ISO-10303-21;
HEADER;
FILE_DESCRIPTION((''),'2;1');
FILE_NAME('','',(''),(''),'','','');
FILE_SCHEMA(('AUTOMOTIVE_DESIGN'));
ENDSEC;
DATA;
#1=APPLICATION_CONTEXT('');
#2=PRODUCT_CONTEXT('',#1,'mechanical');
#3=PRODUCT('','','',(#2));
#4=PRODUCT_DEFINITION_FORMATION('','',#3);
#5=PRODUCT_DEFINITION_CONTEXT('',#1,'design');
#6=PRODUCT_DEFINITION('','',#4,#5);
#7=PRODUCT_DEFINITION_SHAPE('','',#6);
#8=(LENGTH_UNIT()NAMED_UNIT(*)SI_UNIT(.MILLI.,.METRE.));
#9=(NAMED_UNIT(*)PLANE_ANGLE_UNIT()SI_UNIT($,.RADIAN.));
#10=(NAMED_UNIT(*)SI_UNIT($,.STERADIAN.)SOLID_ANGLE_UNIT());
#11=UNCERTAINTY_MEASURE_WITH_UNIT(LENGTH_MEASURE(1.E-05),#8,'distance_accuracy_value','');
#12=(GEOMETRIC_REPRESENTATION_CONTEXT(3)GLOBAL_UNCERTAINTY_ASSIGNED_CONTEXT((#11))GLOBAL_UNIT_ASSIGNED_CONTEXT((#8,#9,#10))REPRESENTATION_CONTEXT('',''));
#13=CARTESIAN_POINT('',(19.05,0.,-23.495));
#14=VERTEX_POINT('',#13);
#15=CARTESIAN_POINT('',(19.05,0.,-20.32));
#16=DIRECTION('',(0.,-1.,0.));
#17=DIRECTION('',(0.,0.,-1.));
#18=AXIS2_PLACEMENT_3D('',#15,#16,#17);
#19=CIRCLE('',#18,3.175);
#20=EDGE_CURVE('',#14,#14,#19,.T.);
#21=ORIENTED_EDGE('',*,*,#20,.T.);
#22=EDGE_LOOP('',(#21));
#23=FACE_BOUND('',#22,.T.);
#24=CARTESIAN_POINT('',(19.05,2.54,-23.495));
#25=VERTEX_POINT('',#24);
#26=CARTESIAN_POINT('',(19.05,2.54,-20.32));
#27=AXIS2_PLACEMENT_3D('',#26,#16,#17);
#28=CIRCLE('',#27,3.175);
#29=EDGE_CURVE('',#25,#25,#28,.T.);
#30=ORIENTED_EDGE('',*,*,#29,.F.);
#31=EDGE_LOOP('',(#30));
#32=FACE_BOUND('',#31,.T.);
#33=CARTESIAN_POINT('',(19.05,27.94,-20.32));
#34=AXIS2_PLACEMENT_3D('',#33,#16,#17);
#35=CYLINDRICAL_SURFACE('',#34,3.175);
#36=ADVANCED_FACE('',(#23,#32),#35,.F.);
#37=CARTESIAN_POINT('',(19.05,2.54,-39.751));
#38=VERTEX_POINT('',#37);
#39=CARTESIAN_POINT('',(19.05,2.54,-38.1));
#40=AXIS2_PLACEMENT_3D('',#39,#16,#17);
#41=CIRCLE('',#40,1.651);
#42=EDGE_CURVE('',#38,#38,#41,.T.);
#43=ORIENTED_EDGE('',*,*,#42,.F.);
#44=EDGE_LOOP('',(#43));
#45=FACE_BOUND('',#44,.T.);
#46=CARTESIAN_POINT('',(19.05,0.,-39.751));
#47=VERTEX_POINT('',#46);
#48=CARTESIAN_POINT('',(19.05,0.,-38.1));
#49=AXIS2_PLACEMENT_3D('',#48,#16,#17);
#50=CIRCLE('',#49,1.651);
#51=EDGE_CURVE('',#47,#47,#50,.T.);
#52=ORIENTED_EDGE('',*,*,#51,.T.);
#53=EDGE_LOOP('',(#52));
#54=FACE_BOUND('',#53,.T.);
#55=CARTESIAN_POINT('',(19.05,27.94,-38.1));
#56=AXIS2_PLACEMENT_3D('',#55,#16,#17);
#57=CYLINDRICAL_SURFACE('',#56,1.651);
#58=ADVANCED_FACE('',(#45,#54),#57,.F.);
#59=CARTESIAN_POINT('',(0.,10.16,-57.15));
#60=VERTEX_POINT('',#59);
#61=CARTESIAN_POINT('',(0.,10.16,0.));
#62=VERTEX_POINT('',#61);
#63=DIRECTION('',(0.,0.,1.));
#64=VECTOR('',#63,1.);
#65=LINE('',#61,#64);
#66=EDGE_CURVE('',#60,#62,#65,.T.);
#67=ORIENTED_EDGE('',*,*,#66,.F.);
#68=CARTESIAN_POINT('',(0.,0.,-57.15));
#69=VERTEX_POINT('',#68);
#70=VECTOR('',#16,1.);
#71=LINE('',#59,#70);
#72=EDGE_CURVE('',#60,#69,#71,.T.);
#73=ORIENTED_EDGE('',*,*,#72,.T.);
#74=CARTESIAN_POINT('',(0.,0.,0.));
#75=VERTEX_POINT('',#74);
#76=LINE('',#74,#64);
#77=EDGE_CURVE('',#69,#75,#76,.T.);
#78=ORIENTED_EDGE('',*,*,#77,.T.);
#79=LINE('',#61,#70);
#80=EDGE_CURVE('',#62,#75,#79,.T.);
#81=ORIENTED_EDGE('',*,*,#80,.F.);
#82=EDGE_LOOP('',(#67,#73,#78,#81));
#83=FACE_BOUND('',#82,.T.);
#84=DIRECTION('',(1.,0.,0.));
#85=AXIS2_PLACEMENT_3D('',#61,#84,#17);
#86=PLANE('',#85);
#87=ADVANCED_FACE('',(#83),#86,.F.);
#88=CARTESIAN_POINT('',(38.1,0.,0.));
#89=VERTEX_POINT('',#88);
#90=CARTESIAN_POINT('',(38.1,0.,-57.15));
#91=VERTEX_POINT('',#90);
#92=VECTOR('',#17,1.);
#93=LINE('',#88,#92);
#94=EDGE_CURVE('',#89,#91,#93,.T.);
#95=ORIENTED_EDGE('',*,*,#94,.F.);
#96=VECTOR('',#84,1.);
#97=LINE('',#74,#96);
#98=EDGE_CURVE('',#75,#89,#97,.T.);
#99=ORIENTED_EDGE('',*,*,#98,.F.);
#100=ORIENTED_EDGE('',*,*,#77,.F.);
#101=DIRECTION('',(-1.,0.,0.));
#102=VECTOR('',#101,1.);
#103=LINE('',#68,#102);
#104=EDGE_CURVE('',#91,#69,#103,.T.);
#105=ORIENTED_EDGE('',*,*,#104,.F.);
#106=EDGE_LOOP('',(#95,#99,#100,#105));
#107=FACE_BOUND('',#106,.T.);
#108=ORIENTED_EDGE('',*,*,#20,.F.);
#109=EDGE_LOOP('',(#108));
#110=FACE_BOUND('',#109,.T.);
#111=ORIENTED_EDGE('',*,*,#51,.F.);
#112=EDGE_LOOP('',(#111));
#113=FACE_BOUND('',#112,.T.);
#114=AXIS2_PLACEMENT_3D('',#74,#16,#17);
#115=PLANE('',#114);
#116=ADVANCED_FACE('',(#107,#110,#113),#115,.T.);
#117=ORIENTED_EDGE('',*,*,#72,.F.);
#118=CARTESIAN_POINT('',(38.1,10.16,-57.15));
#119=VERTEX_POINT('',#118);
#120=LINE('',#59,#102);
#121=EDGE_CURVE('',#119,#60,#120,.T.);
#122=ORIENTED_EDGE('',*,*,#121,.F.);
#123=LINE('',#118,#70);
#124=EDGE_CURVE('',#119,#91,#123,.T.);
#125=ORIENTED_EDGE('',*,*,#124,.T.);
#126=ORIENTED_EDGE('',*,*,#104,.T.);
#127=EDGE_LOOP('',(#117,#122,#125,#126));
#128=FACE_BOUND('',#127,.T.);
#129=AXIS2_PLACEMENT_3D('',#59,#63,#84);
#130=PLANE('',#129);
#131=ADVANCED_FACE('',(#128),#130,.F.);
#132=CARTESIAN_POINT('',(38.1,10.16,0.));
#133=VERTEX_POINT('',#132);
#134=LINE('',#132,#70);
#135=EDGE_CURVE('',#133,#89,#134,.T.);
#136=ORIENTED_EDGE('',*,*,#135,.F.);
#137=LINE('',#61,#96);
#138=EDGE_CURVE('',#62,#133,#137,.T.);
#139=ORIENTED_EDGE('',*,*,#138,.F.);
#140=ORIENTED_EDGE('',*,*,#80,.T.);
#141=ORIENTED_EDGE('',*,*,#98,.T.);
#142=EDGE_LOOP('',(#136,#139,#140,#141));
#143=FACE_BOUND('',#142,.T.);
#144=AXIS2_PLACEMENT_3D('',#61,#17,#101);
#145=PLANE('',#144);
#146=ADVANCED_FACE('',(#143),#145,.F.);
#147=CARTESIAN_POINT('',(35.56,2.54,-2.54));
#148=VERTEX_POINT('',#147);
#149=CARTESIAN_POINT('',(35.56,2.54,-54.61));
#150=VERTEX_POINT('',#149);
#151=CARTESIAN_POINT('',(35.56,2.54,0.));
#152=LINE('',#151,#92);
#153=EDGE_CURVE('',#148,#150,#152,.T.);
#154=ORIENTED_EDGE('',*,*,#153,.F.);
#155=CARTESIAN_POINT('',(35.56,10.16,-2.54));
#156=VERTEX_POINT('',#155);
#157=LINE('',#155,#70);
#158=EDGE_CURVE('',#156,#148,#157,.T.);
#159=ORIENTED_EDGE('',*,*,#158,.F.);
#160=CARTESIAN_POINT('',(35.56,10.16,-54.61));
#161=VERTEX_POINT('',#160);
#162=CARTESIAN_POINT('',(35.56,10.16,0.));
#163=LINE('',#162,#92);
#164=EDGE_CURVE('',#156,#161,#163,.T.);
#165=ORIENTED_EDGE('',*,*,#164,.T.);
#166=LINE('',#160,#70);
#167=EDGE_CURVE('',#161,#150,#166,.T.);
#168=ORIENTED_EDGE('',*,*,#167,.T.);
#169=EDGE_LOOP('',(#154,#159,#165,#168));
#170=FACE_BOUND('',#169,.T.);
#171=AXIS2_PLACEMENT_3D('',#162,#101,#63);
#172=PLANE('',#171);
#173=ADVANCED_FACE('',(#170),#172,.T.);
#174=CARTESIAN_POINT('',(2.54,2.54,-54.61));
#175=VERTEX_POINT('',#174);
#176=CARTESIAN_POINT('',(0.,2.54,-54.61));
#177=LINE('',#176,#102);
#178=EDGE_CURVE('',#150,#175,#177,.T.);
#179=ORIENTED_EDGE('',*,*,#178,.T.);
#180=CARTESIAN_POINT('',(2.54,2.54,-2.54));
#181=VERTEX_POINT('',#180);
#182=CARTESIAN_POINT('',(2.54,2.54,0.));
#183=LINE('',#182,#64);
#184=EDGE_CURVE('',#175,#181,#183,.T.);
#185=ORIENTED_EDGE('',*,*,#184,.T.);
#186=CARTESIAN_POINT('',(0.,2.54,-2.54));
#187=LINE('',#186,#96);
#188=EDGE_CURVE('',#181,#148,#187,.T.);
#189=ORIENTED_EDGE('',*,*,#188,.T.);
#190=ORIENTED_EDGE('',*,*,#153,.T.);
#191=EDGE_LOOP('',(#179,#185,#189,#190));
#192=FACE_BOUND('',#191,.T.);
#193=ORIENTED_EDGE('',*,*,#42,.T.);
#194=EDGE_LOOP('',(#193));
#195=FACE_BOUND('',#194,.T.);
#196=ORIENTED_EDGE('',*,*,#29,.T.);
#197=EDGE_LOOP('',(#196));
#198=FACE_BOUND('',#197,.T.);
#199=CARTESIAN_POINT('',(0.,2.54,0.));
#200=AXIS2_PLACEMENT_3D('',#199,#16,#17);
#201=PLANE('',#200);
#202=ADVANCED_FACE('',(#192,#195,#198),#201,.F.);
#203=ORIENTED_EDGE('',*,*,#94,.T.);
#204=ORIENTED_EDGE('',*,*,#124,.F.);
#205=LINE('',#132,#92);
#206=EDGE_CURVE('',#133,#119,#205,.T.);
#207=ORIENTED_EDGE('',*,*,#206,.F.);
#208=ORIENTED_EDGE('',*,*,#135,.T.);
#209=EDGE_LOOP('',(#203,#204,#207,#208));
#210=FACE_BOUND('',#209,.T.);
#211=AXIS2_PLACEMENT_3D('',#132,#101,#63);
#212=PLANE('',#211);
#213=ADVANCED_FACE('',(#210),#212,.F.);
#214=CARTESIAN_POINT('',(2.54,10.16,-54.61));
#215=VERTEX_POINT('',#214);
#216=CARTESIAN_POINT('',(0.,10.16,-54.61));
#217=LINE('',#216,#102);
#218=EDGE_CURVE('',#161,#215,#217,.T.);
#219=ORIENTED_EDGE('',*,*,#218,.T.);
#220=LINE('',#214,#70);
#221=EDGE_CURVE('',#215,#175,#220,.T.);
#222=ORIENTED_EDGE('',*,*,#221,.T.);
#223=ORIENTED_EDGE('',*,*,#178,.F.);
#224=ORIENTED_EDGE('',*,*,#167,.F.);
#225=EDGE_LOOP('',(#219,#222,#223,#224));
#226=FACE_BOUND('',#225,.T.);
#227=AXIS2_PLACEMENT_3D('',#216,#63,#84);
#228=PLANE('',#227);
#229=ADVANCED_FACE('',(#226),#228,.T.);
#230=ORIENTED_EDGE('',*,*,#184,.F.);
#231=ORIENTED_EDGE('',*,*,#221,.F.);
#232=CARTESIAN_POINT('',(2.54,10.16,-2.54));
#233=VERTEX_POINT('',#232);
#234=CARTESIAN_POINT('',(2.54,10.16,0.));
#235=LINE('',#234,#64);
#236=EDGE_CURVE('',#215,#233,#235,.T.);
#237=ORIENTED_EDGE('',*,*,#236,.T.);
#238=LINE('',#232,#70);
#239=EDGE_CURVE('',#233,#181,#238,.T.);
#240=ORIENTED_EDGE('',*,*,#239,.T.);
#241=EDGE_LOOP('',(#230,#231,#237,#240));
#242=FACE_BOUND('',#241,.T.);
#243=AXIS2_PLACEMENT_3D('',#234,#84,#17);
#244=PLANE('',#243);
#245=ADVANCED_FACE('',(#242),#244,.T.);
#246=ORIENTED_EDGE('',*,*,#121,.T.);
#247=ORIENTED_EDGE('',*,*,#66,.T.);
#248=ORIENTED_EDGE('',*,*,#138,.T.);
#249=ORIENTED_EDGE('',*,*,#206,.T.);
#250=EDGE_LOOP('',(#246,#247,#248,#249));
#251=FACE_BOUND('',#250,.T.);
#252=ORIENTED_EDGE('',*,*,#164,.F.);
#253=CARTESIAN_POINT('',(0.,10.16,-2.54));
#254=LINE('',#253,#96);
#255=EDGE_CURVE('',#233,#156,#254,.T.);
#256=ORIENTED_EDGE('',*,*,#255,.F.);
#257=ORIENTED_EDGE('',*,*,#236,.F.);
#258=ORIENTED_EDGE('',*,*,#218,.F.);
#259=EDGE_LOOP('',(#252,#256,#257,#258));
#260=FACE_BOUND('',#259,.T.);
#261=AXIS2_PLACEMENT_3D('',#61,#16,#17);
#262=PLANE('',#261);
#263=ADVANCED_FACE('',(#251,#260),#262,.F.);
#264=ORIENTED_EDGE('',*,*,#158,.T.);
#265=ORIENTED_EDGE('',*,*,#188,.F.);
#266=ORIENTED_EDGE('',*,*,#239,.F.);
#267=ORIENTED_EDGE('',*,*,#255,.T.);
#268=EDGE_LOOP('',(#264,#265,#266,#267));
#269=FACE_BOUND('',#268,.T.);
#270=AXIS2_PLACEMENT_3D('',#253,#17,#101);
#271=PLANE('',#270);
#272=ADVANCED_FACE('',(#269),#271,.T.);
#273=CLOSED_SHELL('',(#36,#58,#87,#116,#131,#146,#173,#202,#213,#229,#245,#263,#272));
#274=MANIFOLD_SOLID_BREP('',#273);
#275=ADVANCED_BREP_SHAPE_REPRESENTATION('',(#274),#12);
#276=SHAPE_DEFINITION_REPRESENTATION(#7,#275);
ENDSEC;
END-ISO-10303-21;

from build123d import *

# Parameters (mm, degrees)
SKETCH1_W           = 38.1
SKETCH1_H           = 57.15
BOSS_EXTRUDE1_DEPTH = 10.16
SHELL1_T            = -2.54
SKETCH3_R           = 1.651
SKETCH3_R_2         = 3.175
CUT_EXTRUDE1_DEPTH  = 27.94


with BuildPart() as part:
    # Sketch1 → Boss-Extrude1 (new body)
    with BuildSketch(Plane(origin=(0, 0, 0), x_dir=(1, 0, 0), z_dir=(0, 1, 0))):
        with Locations((19.05, 28.575)):
            Rectangle(SKETCH1_W, SKETCH1_H)
    extrude(amount=BOSS_EXTRUDE1_DEPTH)

    # Shell1
    shell1_openings = [part.faces().sort_by_distance(p)[0] for p in [
        (19.05, 10.16, -28.575),
    ]]
    offset(amount=SHELL1_T, openings=shell1_openings, kind=Kind.INTERSECTION)

    # Sketch3 → Cut-Extrude1 (cut)
    with BuildSketch(Plane.XZ):
        with Locations(Location((19.05, -38.1, 0), (0, 0, 270))):
            Circle(SKETCH3_R)
        with Locations(Location((19.05, -20.32, 0), (0, 0, 270))):
            Circle(SKETCH3_R_2)
    extrude(amount=-CUT_EXTRUDE1_DEPTH, mode=Mode.SUBTRACT)


solid = part.part
